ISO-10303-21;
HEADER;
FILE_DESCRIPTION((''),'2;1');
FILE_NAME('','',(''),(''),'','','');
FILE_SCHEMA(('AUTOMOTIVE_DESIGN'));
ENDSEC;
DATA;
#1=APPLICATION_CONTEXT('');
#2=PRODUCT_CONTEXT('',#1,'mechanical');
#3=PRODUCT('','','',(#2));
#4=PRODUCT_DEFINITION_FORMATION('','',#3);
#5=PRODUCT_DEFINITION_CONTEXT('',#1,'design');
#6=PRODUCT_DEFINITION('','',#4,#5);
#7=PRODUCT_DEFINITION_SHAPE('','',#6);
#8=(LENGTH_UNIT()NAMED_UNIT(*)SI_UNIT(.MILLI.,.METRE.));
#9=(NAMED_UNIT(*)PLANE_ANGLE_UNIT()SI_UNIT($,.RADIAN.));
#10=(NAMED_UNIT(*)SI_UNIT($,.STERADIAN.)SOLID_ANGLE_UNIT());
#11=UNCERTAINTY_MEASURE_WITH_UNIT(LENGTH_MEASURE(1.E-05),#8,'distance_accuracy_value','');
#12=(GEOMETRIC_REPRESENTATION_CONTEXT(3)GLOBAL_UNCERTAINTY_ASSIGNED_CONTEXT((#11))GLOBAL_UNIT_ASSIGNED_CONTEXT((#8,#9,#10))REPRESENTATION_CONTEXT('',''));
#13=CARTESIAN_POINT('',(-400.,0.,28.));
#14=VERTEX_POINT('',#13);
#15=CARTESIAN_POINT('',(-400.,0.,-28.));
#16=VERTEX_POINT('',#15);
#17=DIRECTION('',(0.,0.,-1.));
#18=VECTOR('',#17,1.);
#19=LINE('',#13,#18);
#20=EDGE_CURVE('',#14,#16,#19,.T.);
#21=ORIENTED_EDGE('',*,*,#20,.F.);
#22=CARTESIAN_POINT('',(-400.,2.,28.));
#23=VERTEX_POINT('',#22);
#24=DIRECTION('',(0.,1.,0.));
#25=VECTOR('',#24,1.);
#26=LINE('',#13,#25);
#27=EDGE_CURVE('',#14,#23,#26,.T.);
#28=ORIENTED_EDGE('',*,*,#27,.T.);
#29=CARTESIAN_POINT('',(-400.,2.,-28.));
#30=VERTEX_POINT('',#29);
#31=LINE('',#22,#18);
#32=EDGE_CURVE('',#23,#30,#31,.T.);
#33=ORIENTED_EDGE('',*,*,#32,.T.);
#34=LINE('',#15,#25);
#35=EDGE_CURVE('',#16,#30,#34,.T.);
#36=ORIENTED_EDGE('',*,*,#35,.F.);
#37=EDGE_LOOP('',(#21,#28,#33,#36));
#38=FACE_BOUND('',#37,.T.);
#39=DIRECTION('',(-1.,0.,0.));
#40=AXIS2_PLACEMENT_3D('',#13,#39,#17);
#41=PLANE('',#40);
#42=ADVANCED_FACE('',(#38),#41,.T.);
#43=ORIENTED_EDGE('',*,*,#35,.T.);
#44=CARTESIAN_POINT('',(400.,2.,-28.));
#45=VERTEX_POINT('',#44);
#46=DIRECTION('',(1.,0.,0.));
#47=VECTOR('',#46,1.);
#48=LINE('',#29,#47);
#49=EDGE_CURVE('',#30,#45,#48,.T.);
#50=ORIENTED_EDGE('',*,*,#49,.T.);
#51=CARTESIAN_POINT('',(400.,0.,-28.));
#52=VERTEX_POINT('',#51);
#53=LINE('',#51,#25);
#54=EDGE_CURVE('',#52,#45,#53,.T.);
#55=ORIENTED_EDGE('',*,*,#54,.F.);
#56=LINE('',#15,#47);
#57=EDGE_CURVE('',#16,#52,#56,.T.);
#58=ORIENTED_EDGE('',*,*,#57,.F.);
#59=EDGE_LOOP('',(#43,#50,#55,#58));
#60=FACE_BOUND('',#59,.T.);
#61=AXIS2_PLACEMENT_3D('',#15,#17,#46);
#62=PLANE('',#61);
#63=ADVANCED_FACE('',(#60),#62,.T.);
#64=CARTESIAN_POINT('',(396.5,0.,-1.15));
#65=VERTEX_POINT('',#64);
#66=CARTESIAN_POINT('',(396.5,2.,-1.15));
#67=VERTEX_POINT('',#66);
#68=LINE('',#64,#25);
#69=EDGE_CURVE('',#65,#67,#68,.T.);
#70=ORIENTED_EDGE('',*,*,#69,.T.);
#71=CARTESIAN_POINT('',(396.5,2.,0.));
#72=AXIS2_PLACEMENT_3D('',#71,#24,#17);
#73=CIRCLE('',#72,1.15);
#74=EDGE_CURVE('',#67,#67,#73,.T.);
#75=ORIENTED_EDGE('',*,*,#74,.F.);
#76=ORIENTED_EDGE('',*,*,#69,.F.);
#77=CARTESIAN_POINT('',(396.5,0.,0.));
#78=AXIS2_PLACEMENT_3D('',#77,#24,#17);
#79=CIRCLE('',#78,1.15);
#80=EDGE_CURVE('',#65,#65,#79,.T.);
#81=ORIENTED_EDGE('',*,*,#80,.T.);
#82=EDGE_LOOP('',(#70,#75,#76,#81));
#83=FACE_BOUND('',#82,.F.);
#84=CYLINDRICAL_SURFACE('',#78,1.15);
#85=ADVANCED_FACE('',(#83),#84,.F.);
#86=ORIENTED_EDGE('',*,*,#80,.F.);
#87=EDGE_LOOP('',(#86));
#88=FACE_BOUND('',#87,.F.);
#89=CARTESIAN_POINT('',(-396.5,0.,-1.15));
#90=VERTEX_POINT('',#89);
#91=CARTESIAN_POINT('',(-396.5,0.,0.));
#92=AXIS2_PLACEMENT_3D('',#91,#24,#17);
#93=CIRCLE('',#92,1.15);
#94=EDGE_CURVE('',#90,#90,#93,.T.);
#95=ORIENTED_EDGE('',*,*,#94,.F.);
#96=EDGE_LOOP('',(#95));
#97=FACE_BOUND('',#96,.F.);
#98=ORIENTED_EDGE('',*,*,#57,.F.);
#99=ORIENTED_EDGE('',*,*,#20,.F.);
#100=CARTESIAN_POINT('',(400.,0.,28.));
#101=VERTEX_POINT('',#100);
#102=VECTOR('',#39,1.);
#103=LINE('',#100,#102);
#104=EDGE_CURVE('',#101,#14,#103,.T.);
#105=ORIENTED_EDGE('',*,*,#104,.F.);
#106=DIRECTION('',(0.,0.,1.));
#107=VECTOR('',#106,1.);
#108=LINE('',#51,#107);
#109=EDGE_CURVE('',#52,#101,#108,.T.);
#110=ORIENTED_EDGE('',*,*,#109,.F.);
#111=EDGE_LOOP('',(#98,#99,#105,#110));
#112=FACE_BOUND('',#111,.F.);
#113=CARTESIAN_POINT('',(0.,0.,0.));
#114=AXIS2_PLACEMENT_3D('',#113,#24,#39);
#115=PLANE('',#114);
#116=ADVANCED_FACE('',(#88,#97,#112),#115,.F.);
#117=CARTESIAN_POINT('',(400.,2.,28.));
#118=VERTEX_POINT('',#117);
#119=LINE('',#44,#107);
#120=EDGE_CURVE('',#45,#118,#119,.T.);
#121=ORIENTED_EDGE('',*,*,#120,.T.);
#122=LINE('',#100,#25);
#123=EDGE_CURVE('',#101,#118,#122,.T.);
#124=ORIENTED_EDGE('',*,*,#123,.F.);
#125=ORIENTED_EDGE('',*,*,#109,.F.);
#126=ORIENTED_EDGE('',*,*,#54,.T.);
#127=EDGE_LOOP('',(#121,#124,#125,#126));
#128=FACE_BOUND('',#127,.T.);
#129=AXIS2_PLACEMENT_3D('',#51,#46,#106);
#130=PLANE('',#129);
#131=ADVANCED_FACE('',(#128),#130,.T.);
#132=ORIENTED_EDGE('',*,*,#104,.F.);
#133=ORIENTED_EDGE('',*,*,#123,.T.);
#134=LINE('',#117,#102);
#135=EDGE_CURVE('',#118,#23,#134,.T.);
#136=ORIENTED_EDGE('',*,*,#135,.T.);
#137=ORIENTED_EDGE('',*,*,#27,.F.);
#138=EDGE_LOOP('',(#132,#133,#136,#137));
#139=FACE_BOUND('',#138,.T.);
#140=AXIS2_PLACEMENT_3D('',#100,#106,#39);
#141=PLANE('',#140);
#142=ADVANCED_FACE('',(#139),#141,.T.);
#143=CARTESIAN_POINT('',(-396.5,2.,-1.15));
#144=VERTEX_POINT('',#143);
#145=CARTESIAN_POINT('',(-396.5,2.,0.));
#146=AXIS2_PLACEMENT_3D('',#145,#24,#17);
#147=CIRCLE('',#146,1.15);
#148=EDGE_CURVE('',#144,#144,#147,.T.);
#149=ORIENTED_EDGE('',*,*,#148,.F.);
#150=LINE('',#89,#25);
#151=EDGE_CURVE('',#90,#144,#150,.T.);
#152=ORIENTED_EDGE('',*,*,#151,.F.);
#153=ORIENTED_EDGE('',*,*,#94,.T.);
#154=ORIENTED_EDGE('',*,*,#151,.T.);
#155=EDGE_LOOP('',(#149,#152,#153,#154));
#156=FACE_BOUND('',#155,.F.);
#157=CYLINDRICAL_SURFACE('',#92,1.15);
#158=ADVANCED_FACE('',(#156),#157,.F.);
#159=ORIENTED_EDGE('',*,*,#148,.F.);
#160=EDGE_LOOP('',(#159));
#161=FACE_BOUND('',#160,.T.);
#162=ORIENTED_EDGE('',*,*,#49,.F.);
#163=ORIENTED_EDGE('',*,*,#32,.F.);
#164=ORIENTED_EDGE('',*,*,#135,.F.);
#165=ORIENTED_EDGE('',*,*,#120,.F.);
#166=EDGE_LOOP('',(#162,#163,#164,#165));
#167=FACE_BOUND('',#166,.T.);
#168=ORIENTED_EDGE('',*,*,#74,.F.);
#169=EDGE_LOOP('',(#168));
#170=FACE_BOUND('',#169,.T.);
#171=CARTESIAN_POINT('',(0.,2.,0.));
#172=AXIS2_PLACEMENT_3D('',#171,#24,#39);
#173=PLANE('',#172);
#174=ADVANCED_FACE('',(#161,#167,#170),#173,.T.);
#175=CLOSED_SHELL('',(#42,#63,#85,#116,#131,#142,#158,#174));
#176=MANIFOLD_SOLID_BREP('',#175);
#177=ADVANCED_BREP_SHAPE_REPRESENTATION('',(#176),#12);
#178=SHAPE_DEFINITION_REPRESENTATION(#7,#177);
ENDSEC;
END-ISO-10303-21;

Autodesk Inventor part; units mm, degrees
ref_plane "YZ Plane" through (0, 0, 0) normal (1, 0, 0) x (0, 1, 0)
ref_plane "XZ Plane" through (0, 0, 0) normal (0, 1, 0) x (-1, 0, 0)
ref_plane "XY Plane" through (0, 0, 0) normal (0, 0, 1) x (1, 0, 0)
sketch "Sketch2" plane through (0, 0, 0) normal (0, 1, 0) x (-1, 0, 0)
  line L0 (-400, 28) -> (400, 28)
  line L1 (400, 28) -> (400, -28)
  line L2 (400, -28) -> (-400, -28)
  line L3 (-400, -28) -> (-400, 28)
  point P0 (0, 0)
  dimension "d0" = 56
  dimension "d1" = 28
  dimension "d2" = 800
  dimension "d3" = 400
extrude "Extrusion1" add sketch "Sketch2" along normal blind 2
sketch "Sketch3" plane through (0, 0, 0) normal (0, -1, 0) x (1, 0, 0)
  circle A0 centre (-396.5, 0) radius 1.15
  line L0 (-400, 28) -> (-400, -28) projected
  point P0 (0, 0)
  dimension "d6" = 2.3
  dimension "d7" = 3.5
hole "Hole1" at (-396.5, 0, 0) direction (0, 1, 0) diameter 2.3 end through all
sketch "Sketch4" plane through (0, 0, 0) normal (0, -1, 0) x (1, 0, 0)
  circle A0 centre (396.5, 0) radius 1.15
  line L0 (400, -28) -> (400, 28) projected
  point P0 (0, 0)
  dimension "d15" = 2.3
  dimension "d16" = 3.5
hole "Hole2" at (396.5, 0, 0) direction (0, 1, 0) diameter 2.3 end through all
equation "\"d1\" = 0.5 * d0"
equation "\"d3\" = 0.5 * d2"
properties part number "rfPlateShort"
